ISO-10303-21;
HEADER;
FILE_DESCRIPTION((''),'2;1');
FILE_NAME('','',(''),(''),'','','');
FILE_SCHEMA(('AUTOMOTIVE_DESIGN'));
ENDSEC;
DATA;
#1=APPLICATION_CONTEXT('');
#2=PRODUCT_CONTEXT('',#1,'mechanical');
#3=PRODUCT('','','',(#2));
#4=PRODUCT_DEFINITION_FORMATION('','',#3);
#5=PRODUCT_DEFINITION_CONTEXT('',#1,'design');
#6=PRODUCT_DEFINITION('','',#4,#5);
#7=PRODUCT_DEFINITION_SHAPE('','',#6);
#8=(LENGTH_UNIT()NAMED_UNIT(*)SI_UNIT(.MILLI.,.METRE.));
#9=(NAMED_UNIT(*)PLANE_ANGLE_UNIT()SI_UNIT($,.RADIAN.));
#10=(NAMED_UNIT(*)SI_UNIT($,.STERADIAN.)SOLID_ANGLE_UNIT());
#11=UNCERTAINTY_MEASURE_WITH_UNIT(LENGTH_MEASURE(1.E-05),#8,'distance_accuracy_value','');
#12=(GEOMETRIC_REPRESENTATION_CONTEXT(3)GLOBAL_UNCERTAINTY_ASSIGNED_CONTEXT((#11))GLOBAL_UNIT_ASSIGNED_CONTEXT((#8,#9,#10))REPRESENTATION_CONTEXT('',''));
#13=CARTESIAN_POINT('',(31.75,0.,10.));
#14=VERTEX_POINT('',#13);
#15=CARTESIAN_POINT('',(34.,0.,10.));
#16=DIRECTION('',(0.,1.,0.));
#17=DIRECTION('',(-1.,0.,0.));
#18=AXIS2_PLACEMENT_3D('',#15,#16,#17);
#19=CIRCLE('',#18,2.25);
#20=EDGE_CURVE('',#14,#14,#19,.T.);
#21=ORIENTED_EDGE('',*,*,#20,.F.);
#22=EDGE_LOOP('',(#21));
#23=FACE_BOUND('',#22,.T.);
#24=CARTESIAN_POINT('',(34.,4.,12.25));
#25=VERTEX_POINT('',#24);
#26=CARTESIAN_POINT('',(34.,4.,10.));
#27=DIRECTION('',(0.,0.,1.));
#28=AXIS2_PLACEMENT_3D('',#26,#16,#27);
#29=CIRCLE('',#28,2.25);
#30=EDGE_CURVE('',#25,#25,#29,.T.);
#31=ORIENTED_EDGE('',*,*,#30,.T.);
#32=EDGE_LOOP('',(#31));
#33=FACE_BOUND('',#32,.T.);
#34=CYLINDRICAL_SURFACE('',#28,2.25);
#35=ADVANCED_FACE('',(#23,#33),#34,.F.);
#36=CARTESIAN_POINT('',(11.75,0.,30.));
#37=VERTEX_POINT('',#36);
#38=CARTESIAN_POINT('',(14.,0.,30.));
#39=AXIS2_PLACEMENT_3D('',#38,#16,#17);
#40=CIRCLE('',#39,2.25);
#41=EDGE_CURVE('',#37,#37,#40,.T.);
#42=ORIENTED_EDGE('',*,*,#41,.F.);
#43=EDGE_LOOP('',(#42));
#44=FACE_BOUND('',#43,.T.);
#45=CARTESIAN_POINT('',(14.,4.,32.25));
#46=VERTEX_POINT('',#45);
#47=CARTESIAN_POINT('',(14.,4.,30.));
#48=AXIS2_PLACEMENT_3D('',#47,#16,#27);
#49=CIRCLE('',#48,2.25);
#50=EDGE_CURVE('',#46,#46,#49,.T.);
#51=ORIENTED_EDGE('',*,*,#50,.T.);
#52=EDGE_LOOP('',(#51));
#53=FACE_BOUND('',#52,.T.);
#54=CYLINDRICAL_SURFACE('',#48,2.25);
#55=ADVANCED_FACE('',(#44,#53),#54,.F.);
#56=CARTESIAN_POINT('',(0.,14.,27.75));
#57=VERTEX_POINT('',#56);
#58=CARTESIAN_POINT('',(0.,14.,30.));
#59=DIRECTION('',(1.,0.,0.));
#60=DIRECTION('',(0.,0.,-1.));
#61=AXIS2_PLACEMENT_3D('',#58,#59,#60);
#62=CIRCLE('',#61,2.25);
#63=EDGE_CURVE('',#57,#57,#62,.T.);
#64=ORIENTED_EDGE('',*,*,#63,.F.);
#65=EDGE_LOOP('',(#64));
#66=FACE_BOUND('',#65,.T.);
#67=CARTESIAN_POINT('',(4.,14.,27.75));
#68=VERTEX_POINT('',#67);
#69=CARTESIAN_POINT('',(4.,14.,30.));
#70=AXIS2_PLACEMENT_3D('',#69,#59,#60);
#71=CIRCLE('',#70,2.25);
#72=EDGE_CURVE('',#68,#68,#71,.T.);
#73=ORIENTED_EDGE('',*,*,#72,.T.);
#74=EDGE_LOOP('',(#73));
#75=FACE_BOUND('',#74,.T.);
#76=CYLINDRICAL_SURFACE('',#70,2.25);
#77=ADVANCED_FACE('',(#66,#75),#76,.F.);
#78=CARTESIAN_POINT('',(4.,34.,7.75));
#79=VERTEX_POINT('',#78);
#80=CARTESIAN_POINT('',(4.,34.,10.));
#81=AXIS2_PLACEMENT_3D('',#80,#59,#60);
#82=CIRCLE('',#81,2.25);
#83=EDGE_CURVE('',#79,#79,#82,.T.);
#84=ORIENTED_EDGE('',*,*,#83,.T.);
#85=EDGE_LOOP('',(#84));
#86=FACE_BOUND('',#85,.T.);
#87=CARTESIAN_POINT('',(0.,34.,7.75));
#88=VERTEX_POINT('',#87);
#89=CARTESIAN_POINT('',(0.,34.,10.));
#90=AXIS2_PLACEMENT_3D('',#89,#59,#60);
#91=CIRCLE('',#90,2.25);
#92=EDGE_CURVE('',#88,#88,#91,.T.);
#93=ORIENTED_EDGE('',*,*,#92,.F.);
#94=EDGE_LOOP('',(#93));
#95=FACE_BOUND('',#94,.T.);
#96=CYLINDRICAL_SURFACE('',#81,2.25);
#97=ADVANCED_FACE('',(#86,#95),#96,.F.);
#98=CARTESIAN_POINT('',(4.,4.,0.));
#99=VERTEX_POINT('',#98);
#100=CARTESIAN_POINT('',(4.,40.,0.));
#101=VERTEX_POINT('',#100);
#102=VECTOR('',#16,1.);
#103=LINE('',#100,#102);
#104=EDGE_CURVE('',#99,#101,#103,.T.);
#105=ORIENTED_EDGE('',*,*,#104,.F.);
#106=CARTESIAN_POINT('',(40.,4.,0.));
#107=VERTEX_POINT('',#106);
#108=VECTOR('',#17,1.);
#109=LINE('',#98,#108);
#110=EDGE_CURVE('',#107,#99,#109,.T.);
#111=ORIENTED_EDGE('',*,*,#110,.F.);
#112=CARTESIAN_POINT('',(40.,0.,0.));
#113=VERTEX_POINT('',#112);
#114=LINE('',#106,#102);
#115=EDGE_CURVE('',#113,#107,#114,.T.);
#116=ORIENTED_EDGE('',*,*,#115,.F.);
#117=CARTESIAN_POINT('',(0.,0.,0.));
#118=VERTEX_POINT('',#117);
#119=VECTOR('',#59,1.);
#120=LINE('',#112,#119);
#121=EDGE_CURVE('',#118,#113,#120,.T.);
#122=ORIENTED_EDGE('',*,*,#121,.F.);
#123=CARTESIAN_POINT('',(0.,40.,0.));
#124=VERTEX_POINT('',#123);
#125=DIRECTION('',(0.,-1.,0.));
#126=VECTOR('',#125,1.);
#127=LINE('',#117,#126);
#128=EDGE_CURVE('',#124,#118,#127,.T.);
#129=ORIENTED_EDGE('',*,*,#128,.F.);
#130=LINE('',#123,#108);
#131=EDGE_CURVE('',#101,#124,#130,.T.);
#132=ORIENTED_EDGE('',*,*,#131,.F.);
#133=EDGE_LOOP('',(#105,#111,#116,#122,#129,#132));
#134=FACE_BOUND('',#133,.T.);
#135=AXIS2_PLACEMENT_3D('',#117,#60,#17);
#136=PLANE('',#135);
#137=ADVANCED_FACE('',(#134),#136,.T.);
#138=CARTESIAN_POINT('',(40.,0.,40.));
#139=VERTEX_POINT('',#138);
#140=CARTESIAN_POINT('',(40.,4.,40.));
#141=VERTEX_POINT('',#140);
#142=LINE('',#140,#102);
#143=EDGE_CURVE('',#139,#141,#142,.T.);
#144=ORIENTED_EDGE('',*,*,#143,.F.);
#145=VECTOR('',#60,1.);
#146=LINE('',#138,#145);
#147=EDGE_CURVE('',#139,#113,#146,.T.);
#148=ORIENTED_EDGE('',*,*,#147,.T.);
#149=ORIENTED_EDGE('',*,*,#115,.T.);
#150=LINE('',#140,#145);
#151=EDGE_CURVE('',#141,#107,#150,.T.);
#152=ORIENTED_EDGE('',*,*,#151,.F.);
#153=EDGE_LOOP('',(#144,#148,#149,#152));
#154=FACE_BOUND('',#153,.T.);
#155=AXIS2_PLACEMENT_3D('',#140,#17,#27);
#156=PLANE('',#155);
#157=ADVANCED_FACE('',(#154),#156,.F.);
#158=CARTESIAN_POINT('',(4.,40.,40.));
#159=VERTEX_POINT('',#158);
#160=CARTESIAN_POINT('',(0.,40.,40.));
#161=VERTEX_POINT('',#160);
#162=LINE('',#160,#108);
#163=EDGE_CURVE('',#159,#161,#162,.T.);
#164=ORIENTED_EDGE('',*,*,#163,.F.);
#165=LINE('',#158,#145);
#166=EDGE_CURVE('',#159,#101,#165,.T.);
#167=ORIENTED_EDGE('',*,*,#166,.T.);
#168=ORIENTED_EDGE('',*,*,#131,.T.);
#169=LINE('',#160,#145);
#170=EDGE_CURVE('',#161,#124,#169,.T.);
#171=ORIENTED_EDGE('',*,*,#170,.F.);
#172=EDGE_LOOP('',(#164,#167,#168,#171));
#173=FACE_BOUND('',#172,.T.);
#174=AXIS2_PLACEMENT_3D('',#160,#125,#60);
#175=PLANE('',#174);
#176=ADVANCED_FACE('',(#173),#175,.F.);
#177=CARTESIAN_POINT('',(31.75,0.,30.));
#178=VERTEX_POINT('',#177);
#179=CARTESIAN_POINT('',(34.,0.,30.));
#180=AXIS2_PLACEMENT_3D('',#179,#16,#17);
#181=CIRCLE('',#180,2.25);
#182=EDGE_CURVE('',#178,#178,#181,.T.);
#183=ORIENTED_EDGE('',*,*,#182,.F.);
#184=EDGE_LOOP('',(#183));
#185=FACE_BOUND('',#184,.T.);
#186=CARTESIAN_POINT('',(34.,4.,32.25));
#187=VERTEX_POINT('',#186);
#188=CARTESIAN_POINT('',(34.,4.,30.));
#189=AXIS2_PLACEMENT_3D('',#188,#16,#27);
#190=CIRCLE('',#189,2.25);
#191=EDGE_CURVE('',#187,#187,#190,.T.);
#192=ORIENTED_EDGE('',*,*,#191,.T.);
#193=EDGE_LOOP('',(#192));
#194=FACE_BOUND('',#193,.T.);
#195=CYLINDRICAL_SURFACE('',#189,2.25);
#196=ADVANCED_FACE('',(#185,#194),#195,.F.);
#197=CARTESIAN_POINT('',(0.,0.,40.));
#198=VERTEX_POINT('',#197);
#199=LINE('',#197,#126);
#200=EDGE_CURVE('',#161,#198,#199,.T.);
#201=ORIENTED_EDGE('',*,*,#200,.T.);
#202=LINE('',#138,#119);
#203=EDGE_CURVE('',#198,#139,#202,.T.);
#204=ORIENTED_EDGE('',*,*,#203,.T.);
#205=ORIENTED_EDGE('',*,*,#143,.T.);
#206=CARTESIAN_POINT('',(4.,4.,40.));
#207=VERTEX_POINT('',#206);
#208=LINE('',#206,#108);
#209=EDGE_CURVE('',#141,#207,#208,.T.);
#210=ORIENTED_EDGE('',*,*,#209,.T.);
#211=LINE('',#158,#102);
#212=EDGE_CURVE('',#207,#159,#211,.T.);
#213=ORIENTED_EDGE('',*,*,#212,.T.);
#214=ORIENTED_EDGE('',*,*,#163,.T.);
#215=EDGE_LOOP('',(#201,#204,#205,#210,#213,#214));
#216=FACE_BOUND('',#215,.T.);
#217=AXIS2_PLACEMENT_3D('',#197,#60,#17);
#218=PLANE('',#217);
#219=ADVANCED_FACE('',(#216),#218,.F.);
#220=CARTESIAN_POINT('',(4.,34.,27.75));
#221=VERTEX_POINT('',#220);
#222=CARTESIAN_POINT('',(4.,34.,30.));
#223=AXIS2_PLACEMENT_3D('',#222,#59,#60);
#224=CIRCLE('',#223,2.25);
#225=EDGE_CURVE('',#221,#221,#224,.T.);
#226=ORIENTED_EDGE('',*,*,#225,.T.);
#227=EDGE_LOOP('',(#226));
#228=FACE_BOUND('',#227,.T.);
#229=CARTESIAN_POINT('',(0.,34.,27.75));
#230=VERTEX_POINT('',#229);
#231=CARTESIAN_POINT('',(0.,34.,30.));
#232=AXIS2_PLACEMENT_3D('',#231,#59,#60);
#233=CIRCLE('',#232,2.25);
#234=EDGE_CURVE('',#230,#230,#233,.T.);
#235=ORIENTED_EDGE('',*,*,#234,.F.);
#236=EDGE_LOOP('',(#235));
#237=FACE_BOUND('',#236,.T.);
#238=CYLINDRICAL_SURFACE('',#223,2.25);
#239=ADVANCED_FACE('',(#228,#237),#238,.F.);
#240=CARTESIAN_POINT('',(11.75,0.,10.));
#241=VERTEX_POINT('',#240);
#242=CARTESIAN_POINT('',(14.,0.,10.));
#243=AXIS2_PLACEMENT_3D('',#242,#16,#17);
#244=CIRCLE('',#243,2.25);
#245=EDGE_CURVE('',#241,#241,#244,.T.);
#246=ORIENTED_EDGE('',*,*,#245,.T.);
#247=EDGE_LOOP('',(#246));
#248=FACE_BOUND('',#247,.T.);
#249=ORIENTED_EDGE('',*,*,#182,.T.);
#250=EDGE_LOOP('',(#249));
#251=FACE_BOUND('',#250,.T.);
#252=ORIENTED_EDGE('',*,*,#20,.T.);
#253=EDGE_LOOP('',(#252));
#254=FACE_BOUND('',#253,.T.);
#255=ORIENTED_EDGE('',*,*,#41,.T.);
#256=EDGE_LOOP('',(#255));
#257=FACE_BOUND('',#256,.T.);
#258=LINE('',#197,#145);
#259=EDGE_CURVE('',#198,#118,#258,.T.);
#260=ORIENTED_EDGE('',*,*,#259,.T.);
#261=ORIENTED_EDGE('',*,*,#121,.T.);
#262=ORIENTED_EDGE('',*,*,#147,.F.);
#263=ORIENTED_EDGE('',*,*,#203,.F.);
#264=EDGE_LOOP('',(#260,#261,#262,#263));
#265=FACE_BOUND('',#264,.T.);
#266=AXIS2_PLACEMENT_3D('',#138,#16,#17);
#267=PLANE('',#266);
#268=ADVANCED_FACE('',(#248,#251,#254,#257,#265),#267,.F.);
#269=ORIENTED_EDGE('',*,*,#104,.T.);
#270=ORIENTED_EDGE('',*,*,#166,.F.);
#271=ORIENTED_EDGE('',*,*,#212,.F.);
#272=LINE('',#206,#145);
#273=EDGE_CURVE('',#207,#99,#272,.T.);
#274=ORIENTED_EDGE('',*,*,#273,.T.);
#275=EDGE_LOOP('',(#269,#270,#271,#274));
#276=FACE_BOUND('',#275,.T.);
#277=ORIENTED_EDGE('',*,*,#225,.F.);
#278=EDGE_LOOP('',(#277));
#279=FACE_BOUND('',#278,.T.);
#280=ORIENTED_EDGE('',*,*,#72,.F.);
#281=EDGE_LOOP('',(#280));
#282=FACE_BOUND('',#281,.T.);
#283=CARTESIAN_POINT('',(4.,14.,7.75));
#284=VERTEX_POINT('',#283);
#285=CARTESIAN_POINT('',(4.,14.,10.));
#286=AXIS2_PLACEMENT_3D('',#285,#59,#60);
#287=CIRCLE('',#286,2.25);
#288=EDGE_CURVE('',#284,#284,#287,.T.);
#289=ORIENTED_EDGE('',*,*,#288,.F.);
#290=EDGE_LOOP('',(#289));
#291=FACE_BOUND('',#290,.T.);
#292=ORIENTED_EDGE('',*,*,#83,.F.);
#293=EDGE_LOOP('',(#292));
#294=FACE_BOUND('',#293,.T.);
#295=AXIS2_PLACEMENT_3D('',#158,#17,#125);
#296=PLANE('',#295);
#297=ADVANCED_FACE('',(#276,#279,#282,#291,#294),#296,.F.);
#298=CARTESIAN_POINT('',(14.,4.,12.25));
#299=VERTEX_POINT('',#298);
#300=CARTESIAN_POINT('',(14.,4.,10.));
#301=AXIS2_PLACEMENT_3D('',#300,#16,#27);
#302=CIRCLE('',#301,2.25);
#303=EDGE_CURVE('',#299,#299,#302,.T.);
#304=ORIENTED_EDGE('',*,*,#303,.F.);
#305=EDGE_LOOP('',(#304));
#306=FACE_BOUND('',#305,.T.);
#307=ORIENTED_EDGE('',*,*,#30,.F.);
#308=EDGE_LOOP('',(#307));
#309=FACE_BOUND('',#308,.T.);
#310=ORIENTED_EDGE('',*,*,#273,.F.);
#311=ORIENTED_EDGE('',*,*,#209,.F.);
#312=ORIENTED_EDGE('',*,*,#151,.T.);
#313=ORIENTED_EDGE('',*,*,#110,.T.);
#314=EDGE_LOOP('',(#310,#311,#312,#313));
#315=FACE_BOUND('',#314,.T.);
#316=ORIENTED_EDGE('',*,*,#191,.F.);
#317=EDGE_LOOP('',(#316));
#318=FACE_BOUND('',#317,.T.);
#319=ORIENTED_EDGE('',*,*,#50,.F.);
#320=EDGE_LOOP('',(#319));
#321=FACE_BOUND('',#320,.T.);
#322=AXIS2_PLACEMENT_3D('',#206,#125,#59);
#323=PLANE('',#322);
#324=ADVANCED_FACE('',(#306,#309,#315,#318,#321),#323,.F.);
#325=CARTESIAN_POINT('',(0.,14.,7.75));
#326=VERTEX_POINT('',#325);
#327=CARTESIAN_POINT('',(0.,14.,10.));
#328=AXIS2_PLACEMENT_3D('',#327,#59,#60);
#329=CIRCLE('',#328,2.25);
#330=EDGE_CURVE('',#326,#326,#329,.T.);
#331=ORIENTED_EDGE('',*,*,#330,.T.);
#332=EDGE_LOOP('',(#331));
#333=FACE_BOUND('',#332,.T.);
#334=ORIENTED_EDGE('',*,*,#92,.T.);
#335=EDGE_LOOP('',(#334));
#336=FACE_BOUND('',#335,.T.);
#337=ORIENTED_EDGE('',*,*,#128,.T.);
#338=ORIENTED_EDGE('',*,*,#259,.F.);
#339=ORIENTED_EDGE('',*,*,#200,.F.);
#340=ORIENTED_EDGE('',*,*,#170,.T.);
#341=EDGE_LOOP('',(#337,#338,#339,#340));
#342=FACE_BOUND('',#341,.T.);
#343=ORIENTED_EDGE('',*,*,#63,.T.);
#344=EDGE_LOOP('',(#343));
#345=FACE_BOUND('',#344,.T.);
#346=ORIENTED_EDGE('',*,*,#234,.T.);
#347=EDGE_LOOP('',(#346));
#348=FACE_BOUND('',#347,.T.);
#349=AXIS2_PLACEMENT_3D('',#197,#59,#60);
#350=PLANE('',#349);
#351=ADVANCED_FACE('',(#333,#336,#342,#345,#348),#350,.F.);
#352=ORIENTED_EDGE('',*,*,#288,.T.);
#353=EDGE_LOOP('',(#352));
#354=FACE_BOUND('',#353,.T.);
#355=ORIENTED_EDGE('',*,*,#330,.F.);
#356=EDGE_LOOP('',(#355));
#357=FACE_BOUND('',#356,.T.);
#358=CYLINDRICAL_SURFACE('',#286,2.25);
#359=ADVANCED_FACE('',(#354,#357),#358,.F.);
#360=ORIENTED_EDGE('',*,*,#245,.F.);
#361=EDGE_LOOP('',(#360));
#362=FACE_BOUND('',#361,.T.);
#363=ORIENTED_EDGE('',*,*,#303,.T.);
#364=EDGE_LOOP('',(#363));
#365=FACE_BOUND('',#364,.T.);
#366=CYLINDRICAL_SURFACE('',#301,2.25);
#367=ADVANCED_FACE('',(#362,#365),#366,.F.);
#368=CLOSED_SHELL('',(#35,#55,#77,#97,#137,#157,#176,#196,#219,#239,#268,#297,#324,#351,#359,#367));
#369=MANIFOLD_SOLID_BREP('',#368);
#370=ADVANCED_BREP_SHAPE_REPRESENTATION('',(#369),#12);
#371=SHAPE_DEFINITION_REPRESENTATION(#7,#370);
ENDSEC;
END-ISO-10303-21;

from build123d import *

# Parameters (mm, degrees)
EXTRUDE_1_DEPTH       = 40
HOLE_WIZARD_M41_D     = 4.5
HOLE_WIZARD_M41_DEPTH = 5
HOLE_WIZARD_M41_TIP   = 1.351936393
HOLE_WIZARD_M42_D     = 4.5
HOLE_WIZARD_M42_DEPTH = 5
HOLE_WIZARD_M42_TIP   = 1.351936393


with BuildPart() as part:
    # Эскиз1 → Бобышка-Вытянуть1 (new body)
    with BuildSketch(Plane.XY):
        Polygon((0, 0), (0, 40), (4, 40), (4, 4), (40, 4), (40, 0), align=None)
    extrude(amount=EXTRUDE_1_DEPTH)

    # Отверстие с зазором M41
    with Locations(Plane(origin=(0, 4, 0), x_dir=(-1, 0, 0), z_dir=(0, 1, 0))):
        with Locations((-34, 10), (-14, 10), (-34, 30), (-14, 30)):
            Hole(HOLE_WIZARD_M41_D / 2, depth=HOLE_WIZARD_M41_DEPTH)
            with Locations((0, 0, -(HOLE_WIZARD_M41_DEPTH + HOLE_WIZARD_M41_TIP / 2))):  # 118° drill point
                Cone(0, HOLE_WIZARD_M41_D / 2, HOLE_WIZARD_M41_TIP, mode=Mode.SUBTRACT)

    # Отверстие с зазором M42
    with Locations(Plane(origin=(4, 0, 0), x_dir=(0, 0, -1), z_dir=(1, 0, 0))):
        with Locations((-10, 34), (-30, 34), (-10, 14), (-30, 14)):
            Hole(HOLE_WIZARD_M42_D / 2, depth=HOLE_WIZARD_M42_DEPTH)
            with Locations((0, 0, -(HOLE_WIZARD_M42_DEPTH + HOLE_WIZARD_M42_TIP / 2))):  # 118° drill point
                Cone(0, HOLE_WIZARD_M42_D / 2, HOLE_WIZARD_M42_TIP, mode=Mode.SUBTRACT)


solid = part.part
